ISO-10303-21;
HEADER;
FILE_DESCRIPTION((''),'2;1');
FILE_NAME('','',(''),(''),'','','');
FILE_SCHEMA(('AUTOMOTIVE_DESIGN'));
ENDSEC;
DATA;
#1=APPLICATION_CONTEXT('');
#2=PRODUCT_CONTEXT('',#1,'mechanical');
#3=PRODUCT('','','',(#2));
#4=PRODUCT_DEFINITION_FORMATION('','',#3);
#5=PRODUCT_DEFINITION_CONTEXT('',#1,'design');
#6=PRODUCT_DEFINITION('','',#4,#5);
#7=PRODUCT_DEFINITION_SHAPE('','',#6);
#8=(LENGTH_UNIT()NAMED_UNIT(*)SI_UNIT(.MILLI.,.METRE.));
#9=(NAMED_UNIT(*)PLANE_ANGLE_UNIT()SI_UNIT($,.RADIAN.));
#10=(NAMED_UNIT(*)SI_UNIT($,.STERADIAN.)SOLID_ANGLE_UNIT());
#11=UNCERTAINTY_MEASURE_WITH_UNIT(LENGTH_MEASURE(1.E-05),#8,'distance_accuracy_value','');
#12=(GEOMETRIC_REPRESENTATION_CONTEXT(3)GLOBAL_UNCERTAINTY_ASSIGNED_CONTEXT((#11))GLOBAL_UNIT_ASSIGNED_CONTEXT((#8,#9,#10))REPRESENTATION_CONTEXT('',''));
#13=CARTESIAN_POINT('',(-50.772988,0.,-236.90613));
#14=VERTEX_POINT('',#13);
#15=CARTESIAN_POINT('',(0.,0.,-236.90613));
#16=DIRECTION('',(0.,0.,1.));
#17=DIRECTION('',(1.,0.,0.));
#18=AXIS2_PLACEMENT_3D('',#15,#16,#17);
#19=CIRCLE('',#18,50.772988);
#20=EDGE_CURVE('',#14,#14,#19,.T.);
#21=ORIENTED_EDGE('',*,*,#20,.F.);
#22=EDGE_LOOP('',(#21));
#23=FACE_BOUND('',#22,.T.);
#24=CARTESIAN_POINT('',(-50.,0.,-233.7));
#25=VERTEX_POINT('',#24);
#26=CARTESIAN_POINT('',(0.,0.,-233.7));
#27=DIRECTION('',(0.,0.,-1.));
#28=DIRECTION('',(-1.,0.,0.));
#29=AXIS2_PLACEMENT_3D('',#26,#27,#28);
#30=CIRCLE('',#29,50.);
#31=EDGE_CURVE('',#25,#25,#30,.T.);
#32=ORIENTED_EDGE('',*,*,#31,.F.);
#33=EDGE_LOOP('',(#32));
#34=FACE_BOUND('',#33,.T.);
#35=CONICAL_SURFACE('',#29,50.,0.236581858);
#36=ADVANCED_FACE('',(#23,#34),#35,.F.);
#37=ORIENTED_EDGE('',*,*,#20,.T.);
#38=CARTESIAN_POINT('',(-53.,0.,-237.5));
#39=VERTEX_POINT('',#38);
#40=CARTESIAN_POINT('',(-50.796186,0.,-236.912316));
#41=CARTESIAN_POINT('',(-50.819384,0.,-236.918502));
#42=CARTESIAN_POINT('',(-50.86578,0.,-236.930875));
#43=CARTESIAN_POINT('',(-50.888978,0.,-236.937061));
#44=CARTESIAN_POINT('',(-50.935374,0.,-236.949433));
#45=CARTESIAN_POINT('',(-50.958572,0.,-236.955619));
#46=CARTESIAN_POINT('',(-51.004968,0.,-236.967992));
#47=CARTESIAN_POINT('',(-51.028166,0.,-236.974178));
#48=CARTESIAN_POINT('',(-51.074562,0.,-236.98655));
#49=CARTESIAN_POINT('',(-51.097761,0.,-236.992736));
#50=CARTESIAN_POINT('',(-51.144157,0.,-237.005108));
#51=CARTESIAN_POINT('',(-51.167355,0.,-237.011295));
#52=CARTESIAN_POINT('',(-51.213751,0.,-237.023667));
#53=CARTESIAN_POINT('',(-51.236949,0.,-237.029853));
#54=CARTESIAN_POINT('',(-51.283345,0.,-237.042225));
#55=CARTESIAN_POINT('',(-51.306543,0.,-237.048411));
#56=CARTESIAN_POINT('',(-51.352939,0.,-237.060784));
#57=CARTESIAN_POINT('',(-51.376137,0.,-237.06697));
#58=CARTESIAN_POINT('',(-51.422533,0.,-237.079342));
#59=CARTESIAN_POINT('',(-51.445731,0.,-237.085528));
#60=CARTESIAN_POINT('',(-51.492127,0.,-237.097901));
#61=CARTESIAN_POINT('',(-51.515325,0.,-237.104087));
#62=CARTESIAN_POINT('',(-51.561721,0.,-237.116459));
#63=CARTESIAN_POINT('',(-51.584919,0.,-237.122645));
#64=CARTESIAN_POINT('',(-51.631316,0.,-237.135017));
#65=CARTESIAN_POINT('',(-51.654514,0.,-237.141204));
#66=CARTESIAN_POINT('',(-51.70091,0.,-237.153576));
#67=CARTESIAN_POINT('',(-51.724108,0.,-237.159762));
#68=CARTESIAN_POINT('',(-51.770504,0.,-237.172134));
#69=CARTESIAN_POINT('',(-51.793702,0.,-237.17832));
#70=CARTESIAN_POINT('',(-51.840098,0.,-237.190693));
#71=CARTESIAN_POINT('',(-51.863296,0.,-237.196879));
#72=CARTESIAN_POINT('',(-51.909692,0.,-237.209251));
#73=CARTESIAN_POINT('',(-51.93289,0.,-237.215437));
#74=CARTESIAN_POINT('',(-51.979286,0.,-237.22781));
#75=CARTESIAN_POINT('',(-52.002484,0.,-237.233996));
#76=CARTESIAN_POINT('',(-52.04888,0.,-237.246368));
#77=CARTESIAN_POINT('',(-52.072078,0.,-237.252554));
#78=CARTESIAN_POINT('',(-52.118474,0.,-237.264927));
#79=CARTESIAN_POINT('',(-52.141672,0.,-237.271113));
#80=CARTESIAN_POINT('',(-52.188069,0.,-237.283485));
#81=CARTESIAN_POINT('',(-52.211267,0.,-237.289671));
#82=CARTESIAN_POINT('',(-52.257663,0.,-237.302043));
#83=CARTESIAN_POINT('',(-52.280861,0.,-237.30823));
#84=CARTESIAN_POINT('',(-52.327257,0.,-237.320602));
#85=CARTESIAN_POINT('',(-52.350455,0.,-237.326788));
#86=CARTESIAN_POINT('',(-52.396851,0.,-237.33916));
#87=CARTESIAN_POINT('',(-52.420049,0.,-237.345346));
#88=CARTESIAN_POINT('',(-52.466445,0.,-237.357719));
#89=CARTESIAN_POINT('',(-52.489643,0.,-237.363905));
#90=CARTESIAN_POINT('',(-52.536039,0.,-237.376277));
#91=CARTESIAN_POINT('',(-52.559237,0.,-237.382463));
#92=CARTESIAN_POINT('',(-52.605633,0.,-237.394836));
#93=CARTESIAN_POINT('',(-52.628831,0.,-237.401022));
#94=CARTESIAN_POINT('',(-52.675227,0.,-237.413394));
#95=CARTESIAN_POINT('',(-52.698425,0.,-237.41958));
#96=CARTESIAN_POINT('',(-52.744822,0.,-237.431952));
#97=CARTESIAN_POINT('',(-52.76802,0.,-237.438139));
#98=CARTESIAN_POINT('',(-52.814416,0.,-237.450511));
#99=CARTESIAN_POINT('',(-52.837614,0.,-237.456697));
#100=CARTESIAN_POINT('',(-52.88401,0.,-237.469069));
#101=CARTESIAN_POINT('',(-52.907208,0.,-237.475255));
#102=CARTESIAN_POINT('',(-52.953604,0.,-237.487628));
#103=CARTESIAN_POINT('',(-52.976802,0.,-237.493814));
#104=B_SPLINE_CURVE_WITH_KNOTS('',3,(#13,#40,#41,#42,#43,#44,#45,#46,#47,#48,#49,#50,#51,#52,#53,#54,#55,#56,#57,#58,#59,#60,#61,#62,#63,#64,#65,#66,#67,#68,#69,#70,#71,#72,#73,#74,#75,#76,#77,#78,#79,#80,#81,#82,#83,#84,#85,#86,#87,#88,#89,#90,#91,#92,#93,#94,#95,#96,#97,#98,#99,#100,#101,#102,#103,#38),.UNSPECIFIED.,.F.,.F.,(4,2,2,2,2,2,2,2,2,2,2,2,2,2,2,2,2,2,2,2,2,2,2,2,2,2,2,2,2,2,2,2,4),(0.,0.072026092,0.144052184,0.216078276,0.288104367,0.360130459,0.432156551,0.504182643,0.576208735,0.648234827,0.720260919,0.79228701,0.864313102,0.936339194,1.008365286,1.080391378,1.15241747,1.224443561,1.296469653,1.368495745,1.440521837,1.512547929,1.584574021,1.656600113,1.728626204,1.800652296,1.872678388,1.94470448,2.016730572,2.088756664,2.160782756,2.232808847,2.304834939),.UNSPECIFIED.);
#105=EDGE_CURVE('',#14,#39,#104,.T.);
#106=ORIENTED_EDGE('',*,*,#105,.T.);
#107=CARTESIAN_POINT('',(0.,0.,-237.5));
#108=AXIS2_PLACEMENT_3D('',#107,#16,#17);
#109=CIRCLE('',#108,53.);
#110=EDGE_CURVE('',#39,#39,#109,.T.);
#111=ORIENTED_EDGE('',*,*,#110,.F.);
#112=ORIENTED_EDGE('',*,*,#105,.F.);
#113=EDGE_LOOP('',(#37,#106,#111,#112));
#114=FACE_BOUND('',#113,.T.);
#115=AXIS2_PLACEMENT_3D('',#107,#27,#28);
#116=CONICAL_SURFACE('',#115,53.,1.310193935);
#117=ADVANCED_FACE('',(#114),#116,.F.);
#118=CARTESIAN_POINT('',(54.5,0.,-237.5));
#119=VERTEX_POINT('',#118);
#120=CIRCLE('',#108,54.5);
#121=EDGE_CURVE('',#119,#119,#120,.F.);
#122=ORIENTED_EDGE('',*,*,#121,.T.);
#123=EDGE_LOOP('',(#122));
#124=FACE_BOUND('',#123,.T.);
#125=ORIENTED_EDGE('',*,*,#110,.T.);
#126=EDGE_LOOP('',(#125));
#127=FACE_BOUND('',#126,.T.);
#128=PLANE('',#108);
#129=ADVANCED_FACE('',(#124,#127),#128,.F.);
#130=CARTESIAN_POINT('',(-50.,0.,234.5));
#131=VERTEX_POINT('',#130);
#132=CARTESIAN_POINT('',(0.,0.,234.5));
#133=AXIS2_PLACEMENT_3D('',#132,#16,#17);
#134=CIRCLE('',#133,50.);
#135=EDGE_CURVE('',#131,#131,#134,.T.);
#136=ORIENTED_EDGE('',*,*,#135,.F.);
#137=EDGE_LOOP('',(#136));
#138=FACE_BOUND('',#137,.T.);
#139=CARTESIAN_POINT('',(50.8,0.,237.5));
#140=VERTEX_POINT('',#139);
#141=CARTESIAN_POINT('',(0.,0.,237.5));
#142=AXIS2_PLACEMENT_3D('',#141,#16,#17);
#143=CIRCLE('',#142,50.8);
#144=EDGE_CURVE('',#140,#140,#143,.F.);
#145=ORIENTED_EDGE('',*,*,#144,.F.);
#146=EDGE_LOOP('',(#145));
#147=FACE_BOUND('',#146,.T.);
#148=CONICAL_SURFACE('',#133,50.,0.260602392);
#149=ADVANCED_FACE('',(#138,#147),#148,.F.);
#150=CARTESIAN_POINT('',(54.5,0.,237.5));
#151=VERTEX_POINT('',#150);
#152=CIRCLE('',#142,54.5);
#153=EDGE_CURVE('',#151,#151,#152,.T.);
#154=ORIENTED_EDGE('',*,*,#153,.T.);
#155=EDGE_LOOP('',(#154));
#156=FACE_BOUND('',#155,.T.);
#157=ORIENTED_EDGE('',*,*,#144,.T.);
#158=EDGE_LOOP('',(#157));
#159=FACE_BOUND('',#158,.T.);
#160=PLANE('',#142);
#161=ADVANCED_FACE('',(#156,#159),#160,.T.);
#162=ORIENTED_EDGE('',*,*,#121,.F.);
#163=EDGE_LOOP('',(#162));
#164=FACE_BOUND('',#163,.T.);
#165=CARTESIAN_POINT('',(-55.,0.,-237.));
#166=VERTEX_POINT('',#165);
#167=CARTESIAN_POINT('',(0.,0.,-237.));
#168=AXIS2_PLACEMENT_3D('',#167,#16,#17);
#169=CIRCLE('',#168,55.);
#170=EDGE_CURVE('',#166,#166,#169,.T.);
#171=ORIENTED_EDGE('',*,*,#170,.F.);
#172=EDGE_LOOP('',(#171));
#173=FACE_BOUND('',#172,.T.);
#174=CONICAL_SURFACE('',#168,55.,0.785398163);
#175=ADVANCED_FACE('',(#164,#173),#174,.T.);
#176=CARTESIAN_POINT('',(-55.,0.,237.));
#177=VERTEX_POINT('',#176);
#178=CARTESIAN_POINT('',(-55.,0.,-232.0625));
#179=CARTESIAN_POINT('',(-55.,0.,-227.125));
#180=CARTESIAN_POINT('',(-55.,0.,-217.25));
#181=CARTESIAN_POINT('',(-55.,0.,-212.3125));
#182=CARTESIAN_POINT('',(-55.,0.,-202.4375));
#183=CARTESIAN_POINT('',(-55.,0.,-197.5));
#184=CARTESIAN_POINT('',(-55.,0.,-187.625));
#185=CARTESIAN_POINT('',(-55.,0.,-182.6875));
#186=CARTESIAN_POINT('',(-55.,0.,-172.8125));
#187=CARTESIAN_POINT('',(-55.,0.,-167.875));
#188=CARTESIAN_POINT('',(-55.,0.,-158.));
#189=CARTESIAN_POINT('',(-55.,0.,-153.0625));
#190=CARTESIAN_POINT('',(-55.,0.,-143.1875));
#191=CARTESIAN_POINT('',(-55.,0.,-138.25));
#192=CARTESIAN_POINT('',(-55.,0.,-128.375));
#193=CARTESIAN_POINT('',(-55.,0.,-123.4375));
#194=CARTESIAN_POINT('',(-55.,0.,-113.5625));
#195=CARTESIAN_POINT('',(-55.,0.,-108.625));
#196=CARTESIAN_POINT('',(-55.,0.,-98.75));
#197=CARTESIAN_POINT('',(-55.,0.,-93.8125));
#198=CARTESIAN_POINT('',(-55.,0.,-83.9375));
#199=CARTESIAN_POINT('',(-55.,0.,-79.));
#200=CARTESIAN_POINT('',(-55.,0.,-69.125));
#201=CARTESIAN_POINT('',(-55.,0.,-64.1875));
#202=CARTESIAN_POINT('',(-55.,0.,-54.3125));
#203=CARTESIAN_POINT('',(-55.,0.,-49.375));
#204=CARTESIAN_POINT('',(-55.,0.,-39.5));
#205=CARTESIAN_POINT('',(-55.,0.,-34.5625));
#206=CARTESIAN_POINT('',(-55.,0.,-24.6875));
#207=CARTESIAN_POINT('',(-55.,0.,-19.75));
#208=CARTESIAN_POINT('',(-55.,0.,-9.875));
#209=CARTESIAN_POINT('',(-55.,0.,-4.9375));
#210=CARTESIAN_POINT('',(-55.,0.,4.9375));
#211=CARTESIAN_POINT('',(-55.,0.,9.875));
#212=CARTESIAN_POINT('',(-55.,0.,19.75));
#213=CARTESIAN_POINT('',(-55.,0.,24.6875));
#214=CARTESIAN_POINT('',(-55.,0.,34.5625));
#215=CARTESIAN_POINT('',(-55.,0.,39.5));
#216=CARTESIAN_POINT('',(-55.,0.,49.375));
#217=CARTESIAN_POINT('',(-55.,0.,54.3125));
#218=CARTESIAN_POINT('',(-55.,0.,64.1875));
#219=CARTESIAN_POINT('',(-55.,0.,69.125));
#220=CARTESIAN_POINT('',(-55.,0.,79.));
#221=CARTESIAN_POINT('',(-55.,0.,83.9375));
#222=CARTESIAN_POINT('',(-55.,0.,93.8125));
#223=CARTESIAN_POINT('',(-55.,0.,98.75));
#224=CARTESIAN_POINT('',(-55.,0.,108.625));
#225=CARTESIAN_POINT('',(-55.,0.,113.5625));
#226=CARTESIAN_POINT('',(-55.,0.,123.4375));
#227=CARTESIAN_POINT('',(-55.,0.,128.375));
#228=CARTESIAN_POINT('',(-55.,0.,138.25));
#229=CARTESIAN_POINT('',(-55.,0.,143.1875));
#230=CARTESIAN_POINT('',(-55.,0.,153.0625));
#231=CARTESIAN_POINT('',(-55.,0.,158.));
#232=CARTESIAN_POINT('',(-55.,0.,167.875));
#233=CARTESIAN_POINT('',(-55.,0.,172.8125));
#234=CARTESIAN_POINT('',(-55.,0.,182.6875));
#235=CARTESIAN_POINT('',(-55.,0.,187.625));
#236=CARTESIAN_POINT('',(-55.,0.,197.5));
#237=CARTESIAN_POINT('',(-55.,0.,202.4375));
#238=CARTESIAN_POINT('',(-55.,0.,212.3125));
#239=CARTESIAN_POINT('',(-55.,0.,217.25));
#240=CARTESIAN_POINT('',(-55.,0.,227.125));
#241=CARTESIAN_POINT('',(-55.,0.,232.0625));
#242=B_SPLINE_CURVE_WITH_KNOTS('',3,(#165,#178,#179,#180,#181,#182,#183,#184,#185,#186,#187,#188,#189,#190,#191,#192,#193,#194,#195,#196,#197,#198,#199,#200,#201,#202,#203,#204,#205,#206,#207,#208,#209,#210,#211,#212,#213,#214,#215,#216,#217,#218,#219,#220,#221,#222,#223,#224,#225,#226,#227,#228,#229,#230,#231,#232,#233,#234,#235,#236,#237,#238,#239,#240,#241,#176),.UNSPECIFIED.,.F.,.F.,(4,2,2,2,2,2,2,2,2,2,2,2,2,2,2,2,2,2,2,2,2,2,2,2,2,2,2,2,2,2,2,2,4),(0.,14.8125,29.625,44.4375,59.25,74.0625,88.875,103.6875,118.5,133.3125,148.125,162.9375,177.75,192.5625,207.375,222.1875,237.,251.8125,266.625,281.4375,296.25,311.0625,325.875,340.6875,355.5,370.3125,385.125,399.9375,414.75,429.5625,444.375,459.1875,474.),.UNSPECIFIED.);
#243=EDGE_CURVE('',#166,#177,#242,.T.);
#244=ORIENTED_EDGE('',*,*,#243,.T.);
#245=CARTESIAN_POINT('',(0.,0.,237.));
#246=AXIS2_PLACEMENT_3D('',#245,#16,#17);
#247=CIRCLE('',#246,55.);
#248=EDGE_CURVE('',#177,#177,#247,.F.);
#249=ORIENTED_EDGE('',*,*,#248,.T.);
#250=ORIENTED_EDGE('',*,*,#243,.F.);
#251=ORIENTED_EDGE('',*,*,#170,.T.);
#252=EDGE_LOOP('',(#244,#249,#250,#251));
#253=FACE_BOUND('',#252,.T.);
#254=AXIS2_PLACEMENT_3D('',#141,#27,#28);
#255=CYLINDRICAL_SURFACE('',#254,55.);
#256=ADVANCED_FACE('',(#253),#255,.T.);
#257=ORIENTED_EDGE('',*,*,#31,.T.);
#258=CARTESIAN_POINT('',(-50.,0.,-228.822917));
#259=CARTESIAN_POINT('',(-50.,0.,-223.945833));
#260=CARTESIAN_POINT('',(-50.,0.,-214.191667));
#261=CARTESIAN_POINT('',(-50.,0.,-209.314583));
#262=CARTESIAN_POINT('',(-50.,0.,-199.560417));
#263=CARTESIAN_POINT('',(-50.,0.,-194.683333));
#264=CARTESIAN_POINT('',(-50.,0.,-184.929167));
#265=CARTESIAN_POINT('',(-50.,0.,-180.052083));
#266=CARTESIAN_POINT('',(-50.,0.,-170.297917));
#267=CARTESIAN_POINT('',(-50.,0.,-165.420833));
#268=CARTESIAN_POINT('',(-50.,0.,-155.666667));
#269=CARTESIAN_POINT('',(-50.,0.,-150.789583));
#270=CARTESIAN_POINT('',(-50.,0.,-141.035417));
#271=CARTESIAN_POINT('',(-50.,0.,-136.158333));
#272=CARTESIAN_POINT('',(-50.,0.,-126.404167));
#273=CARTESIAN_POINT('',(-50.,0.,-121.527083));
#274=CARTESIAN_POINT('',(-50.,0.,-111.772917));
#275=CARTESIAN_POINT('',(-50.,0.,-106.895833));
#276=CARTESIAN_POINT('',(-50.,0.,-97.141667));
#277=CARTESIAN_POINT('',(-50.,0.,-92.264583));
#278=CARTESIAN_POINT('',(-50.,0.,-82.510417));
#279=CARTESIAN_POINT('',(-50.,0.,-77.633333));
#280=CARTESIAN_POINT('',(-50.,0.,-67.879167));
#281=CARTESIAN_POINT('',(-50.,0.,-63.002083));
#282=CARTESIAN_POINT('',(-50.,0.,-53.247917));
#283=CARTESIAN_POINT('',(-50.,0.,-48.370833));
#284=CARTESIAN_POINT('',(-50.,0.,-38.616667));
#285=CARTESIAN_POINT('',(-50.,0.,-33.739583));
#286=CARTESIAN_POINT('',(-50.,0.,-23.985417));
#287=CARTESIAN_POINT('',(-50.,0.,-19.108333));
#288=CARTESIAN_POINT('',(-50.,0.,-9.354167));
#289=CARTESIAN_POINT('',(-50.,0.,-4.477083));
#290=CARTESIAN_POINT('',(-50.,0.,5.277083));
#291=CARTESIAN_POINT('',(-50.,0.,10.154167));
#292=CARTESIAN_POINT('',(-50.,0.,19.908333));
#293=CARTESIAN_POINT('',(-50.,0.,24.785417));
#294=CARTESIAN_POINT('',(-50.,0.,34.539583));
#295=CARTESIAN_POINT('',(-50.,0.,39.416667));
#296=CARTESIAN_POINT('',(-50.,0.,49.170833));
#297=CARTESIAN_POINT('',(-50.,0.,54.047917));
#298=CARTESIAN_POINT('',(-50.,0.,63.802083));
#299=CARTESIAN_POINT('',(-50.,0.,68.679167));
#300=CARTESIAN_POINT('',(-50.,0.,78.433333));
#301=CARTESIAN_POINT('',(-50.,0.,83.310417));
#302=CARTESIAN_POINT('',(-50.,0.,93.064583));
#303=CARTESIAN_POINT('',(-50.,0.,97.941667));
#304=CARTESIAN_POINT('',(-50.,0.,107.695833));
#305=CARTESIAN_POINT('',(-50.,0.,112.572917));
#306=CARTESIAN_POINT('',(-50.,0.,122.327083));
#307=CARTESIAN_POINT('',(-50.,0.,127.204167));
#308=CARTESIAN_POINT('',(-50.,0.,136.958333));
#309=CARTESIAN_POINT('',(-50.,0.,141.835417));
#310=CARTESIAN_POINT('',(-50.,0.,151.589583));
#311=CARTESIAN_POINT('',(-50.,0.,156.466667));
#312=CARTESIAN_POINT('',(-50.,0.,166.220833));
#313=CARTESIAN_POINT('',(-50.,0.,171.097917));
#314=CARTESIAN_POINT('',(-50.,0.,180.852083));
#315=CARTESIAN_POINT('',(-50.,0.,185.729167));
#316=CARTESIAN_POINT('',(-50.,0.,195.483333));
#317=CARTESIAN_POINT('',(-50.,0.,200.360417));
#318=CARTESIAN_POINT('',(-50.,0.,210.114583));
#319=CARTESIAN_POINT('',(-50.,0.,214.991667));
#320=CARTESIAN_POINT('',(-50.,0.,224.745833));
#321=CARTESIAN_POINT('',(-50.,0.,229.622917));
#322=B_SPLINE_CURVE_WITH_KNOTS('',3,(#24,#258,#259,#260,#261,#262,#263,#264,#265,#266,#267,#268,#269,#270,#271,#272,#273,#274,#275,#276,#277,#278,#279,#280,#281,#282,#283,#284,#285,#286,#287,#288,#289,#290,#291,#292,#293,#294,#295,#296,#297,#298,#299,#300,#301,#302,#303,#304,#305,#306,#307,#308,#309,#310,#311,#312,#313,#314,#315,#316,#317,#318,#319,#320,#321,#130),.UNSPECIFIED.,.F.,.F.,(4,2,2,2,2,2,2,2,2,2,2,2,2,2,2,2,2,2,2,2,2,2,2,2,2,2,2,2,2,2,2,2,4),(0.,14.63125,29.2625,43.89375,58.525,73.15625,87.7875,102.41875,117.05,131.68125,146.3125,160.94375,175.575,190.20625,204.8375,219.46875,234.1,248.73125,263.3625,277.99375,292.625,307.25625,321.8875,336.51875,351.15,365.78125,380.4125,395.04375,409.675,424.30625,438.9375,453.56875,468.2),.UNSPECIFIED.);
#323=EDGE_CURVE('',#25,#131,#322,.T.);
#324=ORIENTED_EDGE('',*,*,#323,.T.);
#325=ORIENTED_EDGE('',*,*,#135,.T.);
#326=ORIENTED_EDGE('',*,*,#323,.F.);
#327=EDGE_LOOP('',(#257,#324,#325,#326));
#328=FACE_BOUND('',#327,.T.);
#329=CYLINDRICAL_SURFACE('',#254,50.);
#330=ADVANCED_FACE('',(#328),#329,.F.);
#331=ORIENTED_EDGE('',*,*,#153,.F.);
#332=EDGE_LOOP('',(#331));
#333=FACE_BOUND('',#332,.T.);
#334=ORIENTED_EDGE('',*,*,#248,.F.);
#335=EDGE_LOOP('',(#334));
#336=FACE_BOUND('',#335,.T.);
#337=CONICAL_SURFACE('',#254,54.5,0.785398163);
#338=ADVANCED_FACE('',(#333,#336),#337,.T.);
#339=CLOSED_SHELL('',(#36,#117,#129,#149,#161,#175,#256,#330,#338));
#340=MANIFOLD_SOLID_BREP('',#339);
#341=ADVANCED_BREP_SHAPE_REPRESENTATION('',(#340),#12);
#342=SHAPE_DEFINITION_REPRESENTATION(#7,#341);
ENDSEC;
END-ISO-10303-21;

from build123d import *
from OCP.BRepFilletAPI import BRepFilletAPI_MakeChamfer

# Parameters (mm, degrees)
SKETCH1_R               = 55
SKETCH1_R_2             = 50
TUBE_BODY_DEPTH         = 237.5
BORESINK_LEADIN_SIZE    = 0.8
BORESINK_LEADIN_SIZE2   = 3
BORESINK_LEADIN_2_SIZE  = 0.8
BORESINK_LEADIN_2_SIZE2 = 3
OD_EDGE_BREAK_SIZE      = 0.5


with BuildPart() as part:
    # Sketch1 → Tube Body (new, symmetric)
    with BuildSketch(Plane.XY):
        with Locations(Location((0, 0, 0), (0, 0, 180))):
            Circle(SKETCH1_R)
        with Locations(Location((0, 0, 0), (0, 0, 180))):
            Circle(SKETCH1_R_2, mode=Mode.SUBTRACT)
    extrude(amount=TUBE_BODY_DEPTH, both=True)

    # Boresink_Leadin: one chamfer whose edges measure the first distance from different faces: ONE call of the kernel's chamfer builder (chamfer() names one face for all edges)
    boresink_leadin_edges_1 = [part.edges().sort_by_distance(p)[0] for p in [
        (50, 0, -237.5),
    ]]
    boresink_leadin_side_1 = [part.faces().sort_by_distance(p)[0] for p in [
        (50, 0, 0),
    ]]
    boresink_leadin_edges_2 = [part.edges().sort_by_distance(p)[0] for p in [
        (50, 0, 237.5),
    ]]
    boresink_leadin_side_2 = [part.faces().sort_by_distance(p)[0] for p in [
        (53.444365081, 0, 237.5),
    ]]
    boresink_leadin = BRepFilletAPI_MakeChamfer(part.part.solid().wrapped)
    for e in boresink_leadin_edges_1:
        boresink_leadin.Add(BORESINK_LEADIN_SIZE, BORESINK_LEADIN_SIZE2, e.wrapped, boresink_leadin_side_1[0].wrapped)  # the first distance lies on this face
    for e in boresink_leadin_edges_2:
        boresink_leadin.Add(BORESINK_LEADIN_SIZE, BORESINK_LEADIN_SIZE2, e.wrapped, boresink_leadin_side_2[0].wrapped)  # the first distance lies on this face
    add(Compound.cast(boresink_leadin.Shape()), mode=Mode.REPLACE)

    # Boresink_Leadin 2
    boresink_leadin_2_edges = [part.edges().sort_by_distance(p)[0] for p in [
        (50, 0, -236.7),
    ]]
    boresink_leadin_2_side = [part.faces().sort_by_distance(p)[0] for p in [
        (51.5, 0, -237.1),
    ]]
    chamfer(boresink_leadin_2_edges, length=BORESINK_LEADIN_2_SIZE, length2=BORESINK_LEADIN_2_SIZE2, reference=boresink_leadin_2_side[0])

    # OD_Edge_Break
    od_edge_break_edges = [part.edges().sort_by_distance(p)[0] for p in [
        (55, 0, -237.5),
        (55, 0, 237.5),
    ]]
    chamfer(od_edge_break_edges, length=OD_EDGE_BREAK_SIZE)


solid = part.part
